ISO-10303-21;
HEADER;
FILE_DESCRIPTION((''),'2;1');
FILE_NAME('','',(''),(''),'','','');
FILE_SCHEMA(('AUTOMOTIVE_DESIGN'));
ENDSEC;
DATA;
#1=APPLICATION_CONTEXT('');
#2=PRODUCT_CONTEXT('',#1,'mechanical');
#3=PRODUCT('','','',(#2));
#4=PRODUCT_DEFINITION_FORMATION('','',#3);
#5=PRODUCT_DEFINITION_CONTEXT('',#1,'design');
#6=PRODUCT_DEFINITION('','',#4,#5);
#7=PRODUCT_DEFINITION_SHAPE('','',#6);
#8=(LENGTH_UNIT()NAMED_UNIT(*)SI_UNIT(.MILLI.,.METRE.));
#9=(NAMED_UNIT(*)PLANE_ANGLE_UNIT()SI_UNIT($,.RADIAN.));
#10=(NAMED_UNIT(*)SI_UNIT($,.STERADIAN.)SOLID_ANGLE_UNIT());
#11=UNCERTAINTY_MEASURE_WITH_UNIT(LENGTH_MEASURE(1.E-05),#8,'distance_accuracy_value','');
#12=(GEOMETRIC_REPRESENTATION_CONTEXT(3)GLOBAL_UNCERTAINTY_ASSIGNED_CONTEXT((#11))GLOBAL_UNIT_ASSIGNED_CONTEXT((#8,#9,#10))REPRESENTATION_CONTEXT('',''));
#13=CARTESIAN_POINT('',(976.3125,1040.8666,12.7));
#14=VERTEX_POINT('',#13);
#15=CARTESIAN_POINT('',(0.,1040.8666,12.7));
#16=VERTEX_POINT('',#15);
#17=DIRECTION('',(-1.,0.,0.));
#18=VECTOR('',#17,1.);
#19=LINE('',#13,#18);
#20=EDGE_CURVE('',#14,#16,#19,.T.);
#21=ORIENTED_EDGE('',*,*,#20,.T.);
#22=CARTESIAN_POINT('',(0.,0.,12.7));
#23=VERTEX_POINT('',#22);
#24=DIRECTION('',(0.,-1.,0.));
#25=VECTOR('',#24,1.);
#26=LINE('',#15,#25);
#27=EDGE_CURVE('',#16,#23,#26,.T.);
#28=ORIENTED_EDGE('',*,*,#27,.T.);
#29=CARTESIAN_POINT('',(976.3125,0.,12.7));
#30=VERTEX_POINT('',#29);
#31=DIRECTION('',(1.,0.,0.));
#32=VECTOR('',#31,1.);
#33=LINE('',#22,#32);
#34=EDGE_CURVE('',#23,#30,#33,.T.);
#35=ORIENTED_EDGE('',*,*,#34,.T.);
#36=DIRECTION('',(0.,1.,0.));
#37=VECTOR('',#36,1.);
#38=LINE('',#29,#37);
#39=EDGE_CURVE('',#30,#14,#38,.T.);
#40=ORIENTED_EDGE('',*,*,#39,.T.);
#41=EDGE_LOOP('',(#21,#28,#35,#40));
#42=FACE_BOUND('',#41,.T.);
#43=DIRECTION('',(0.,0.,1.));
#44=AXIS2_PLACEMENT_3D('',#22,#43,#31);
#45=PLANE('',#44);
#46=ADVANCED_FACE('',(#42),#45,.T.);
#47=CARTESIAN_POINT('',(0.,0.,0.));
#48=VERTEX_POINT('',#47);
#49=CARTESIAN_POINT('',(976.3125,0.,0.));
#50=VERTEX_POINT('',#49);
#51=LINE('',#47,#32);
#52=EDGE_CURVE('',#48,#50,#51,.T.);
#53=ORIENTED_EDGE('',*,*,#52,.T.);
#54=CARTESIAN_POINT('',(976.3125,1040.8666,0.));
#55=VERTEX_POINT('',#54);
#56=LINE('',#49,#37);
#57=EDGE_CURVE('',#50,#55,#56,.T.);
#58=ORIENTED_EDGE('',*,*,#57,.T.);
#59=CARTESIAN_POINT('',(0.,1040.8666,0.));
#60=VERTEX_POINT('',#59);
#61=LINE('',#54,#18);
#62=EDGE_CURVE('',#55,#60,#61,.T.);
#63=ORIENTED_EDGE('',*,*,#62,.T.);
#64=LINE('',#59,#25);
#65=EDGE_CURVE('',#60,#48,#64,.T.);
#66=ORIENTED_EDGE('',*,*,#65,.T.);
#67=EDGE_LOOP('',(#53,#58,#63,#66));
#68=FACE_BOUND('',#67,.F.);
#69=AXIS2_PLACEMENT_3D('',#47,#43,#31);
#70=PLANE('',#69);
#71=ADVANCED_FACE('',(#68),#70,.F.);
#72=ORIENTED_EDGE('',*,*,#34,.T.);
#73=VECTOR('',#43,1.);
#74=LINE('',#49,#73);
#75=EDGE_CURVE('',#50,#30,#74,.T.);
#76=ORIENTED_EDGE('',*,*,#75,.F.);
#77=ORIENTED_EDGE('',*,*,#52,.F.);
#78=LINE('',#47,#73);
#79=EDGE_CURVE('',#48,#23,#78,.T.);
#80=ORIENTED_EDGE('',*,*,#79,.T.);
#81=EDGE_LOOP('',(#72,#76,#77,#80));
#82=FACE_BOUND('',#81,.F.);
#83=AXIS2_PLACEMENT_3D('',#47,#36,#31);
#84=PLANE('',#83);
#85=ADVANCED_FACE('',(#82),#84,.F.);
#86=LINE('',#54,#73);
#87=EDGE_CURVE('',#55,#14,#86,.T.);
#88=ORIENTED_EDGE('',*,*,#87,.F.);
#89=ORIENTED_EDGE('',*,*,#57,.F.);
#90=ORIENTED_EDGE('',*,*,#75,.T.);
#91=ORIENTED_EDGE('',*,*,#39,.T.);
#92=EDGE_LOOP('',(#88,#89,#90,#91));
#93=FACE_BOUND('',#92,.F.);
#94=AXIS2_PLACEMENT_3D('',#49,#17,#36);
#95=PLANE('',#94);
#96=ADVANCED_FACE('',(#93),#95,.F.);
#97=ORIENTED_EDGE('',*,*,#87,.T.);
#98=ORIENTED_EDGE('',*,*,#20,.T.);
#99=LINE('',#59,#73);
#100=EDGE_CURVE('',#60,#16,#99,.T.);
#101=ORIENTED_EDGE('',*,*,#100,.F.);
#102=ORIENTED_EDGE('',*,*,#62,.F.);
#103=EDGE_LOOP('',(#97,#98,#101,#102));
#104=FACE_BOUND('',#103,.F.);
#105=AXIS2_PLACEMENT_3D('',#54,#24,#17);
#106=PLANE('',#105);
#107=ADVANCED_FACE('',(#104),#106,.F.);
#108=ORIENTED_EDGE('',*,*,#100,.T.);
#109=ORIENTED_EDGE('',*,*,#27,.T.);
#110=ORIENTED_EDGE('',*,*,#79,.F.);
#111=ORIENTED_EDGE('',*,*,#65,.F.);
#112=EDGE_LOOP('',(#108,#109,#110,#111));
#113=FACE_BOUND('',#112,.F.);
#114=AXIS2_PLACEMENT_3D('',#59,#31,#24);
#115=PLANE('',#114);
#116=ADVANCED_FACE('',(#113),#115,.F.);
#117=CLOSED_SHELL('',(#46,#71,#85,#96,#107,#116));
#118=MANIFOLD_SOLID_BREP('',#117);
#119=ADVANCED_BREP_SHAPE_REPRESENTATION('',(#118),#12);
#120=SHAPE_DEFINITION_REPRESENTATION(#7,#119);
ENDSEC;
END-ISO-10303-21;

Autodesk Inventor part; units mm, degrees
ref_plane "YZ Plane" through (0, 0, 0) normal (1, 0, 0) x (0, 1, 0)
ref_plane "XZ Plane" through (0, 0, 0) normal (0, 1, 0) x (-1, 0, 0)
ref_plane "XY Plane" through (0, 0, 0) normal (0, 0, 1) x (1, 0, 0)
sketch "Sketch1" plane through (0, 0, 0) normal (0, 0, 1) x (1, 0, 0)
  line L0 (0, 0) -> (976.3125, 0)
  line L1 (976.3125, 0) -> (976.3125, 1040.8666)
  line L2 (976.3125, 1040.8666) -> (0, 1040.8666)
  line L3 (0, 1040.8666) -> (0, 0)
  dimension "d2" = 1040.8666
  dimension "d3" = 976.3125
extrude "Extrusion1" add sketch "Sketch1" along normal blind 12.7
properties part number "OSB_For_Walls_With_Dimensions_37_x_48_Inches" material "Wood (Birch)"
